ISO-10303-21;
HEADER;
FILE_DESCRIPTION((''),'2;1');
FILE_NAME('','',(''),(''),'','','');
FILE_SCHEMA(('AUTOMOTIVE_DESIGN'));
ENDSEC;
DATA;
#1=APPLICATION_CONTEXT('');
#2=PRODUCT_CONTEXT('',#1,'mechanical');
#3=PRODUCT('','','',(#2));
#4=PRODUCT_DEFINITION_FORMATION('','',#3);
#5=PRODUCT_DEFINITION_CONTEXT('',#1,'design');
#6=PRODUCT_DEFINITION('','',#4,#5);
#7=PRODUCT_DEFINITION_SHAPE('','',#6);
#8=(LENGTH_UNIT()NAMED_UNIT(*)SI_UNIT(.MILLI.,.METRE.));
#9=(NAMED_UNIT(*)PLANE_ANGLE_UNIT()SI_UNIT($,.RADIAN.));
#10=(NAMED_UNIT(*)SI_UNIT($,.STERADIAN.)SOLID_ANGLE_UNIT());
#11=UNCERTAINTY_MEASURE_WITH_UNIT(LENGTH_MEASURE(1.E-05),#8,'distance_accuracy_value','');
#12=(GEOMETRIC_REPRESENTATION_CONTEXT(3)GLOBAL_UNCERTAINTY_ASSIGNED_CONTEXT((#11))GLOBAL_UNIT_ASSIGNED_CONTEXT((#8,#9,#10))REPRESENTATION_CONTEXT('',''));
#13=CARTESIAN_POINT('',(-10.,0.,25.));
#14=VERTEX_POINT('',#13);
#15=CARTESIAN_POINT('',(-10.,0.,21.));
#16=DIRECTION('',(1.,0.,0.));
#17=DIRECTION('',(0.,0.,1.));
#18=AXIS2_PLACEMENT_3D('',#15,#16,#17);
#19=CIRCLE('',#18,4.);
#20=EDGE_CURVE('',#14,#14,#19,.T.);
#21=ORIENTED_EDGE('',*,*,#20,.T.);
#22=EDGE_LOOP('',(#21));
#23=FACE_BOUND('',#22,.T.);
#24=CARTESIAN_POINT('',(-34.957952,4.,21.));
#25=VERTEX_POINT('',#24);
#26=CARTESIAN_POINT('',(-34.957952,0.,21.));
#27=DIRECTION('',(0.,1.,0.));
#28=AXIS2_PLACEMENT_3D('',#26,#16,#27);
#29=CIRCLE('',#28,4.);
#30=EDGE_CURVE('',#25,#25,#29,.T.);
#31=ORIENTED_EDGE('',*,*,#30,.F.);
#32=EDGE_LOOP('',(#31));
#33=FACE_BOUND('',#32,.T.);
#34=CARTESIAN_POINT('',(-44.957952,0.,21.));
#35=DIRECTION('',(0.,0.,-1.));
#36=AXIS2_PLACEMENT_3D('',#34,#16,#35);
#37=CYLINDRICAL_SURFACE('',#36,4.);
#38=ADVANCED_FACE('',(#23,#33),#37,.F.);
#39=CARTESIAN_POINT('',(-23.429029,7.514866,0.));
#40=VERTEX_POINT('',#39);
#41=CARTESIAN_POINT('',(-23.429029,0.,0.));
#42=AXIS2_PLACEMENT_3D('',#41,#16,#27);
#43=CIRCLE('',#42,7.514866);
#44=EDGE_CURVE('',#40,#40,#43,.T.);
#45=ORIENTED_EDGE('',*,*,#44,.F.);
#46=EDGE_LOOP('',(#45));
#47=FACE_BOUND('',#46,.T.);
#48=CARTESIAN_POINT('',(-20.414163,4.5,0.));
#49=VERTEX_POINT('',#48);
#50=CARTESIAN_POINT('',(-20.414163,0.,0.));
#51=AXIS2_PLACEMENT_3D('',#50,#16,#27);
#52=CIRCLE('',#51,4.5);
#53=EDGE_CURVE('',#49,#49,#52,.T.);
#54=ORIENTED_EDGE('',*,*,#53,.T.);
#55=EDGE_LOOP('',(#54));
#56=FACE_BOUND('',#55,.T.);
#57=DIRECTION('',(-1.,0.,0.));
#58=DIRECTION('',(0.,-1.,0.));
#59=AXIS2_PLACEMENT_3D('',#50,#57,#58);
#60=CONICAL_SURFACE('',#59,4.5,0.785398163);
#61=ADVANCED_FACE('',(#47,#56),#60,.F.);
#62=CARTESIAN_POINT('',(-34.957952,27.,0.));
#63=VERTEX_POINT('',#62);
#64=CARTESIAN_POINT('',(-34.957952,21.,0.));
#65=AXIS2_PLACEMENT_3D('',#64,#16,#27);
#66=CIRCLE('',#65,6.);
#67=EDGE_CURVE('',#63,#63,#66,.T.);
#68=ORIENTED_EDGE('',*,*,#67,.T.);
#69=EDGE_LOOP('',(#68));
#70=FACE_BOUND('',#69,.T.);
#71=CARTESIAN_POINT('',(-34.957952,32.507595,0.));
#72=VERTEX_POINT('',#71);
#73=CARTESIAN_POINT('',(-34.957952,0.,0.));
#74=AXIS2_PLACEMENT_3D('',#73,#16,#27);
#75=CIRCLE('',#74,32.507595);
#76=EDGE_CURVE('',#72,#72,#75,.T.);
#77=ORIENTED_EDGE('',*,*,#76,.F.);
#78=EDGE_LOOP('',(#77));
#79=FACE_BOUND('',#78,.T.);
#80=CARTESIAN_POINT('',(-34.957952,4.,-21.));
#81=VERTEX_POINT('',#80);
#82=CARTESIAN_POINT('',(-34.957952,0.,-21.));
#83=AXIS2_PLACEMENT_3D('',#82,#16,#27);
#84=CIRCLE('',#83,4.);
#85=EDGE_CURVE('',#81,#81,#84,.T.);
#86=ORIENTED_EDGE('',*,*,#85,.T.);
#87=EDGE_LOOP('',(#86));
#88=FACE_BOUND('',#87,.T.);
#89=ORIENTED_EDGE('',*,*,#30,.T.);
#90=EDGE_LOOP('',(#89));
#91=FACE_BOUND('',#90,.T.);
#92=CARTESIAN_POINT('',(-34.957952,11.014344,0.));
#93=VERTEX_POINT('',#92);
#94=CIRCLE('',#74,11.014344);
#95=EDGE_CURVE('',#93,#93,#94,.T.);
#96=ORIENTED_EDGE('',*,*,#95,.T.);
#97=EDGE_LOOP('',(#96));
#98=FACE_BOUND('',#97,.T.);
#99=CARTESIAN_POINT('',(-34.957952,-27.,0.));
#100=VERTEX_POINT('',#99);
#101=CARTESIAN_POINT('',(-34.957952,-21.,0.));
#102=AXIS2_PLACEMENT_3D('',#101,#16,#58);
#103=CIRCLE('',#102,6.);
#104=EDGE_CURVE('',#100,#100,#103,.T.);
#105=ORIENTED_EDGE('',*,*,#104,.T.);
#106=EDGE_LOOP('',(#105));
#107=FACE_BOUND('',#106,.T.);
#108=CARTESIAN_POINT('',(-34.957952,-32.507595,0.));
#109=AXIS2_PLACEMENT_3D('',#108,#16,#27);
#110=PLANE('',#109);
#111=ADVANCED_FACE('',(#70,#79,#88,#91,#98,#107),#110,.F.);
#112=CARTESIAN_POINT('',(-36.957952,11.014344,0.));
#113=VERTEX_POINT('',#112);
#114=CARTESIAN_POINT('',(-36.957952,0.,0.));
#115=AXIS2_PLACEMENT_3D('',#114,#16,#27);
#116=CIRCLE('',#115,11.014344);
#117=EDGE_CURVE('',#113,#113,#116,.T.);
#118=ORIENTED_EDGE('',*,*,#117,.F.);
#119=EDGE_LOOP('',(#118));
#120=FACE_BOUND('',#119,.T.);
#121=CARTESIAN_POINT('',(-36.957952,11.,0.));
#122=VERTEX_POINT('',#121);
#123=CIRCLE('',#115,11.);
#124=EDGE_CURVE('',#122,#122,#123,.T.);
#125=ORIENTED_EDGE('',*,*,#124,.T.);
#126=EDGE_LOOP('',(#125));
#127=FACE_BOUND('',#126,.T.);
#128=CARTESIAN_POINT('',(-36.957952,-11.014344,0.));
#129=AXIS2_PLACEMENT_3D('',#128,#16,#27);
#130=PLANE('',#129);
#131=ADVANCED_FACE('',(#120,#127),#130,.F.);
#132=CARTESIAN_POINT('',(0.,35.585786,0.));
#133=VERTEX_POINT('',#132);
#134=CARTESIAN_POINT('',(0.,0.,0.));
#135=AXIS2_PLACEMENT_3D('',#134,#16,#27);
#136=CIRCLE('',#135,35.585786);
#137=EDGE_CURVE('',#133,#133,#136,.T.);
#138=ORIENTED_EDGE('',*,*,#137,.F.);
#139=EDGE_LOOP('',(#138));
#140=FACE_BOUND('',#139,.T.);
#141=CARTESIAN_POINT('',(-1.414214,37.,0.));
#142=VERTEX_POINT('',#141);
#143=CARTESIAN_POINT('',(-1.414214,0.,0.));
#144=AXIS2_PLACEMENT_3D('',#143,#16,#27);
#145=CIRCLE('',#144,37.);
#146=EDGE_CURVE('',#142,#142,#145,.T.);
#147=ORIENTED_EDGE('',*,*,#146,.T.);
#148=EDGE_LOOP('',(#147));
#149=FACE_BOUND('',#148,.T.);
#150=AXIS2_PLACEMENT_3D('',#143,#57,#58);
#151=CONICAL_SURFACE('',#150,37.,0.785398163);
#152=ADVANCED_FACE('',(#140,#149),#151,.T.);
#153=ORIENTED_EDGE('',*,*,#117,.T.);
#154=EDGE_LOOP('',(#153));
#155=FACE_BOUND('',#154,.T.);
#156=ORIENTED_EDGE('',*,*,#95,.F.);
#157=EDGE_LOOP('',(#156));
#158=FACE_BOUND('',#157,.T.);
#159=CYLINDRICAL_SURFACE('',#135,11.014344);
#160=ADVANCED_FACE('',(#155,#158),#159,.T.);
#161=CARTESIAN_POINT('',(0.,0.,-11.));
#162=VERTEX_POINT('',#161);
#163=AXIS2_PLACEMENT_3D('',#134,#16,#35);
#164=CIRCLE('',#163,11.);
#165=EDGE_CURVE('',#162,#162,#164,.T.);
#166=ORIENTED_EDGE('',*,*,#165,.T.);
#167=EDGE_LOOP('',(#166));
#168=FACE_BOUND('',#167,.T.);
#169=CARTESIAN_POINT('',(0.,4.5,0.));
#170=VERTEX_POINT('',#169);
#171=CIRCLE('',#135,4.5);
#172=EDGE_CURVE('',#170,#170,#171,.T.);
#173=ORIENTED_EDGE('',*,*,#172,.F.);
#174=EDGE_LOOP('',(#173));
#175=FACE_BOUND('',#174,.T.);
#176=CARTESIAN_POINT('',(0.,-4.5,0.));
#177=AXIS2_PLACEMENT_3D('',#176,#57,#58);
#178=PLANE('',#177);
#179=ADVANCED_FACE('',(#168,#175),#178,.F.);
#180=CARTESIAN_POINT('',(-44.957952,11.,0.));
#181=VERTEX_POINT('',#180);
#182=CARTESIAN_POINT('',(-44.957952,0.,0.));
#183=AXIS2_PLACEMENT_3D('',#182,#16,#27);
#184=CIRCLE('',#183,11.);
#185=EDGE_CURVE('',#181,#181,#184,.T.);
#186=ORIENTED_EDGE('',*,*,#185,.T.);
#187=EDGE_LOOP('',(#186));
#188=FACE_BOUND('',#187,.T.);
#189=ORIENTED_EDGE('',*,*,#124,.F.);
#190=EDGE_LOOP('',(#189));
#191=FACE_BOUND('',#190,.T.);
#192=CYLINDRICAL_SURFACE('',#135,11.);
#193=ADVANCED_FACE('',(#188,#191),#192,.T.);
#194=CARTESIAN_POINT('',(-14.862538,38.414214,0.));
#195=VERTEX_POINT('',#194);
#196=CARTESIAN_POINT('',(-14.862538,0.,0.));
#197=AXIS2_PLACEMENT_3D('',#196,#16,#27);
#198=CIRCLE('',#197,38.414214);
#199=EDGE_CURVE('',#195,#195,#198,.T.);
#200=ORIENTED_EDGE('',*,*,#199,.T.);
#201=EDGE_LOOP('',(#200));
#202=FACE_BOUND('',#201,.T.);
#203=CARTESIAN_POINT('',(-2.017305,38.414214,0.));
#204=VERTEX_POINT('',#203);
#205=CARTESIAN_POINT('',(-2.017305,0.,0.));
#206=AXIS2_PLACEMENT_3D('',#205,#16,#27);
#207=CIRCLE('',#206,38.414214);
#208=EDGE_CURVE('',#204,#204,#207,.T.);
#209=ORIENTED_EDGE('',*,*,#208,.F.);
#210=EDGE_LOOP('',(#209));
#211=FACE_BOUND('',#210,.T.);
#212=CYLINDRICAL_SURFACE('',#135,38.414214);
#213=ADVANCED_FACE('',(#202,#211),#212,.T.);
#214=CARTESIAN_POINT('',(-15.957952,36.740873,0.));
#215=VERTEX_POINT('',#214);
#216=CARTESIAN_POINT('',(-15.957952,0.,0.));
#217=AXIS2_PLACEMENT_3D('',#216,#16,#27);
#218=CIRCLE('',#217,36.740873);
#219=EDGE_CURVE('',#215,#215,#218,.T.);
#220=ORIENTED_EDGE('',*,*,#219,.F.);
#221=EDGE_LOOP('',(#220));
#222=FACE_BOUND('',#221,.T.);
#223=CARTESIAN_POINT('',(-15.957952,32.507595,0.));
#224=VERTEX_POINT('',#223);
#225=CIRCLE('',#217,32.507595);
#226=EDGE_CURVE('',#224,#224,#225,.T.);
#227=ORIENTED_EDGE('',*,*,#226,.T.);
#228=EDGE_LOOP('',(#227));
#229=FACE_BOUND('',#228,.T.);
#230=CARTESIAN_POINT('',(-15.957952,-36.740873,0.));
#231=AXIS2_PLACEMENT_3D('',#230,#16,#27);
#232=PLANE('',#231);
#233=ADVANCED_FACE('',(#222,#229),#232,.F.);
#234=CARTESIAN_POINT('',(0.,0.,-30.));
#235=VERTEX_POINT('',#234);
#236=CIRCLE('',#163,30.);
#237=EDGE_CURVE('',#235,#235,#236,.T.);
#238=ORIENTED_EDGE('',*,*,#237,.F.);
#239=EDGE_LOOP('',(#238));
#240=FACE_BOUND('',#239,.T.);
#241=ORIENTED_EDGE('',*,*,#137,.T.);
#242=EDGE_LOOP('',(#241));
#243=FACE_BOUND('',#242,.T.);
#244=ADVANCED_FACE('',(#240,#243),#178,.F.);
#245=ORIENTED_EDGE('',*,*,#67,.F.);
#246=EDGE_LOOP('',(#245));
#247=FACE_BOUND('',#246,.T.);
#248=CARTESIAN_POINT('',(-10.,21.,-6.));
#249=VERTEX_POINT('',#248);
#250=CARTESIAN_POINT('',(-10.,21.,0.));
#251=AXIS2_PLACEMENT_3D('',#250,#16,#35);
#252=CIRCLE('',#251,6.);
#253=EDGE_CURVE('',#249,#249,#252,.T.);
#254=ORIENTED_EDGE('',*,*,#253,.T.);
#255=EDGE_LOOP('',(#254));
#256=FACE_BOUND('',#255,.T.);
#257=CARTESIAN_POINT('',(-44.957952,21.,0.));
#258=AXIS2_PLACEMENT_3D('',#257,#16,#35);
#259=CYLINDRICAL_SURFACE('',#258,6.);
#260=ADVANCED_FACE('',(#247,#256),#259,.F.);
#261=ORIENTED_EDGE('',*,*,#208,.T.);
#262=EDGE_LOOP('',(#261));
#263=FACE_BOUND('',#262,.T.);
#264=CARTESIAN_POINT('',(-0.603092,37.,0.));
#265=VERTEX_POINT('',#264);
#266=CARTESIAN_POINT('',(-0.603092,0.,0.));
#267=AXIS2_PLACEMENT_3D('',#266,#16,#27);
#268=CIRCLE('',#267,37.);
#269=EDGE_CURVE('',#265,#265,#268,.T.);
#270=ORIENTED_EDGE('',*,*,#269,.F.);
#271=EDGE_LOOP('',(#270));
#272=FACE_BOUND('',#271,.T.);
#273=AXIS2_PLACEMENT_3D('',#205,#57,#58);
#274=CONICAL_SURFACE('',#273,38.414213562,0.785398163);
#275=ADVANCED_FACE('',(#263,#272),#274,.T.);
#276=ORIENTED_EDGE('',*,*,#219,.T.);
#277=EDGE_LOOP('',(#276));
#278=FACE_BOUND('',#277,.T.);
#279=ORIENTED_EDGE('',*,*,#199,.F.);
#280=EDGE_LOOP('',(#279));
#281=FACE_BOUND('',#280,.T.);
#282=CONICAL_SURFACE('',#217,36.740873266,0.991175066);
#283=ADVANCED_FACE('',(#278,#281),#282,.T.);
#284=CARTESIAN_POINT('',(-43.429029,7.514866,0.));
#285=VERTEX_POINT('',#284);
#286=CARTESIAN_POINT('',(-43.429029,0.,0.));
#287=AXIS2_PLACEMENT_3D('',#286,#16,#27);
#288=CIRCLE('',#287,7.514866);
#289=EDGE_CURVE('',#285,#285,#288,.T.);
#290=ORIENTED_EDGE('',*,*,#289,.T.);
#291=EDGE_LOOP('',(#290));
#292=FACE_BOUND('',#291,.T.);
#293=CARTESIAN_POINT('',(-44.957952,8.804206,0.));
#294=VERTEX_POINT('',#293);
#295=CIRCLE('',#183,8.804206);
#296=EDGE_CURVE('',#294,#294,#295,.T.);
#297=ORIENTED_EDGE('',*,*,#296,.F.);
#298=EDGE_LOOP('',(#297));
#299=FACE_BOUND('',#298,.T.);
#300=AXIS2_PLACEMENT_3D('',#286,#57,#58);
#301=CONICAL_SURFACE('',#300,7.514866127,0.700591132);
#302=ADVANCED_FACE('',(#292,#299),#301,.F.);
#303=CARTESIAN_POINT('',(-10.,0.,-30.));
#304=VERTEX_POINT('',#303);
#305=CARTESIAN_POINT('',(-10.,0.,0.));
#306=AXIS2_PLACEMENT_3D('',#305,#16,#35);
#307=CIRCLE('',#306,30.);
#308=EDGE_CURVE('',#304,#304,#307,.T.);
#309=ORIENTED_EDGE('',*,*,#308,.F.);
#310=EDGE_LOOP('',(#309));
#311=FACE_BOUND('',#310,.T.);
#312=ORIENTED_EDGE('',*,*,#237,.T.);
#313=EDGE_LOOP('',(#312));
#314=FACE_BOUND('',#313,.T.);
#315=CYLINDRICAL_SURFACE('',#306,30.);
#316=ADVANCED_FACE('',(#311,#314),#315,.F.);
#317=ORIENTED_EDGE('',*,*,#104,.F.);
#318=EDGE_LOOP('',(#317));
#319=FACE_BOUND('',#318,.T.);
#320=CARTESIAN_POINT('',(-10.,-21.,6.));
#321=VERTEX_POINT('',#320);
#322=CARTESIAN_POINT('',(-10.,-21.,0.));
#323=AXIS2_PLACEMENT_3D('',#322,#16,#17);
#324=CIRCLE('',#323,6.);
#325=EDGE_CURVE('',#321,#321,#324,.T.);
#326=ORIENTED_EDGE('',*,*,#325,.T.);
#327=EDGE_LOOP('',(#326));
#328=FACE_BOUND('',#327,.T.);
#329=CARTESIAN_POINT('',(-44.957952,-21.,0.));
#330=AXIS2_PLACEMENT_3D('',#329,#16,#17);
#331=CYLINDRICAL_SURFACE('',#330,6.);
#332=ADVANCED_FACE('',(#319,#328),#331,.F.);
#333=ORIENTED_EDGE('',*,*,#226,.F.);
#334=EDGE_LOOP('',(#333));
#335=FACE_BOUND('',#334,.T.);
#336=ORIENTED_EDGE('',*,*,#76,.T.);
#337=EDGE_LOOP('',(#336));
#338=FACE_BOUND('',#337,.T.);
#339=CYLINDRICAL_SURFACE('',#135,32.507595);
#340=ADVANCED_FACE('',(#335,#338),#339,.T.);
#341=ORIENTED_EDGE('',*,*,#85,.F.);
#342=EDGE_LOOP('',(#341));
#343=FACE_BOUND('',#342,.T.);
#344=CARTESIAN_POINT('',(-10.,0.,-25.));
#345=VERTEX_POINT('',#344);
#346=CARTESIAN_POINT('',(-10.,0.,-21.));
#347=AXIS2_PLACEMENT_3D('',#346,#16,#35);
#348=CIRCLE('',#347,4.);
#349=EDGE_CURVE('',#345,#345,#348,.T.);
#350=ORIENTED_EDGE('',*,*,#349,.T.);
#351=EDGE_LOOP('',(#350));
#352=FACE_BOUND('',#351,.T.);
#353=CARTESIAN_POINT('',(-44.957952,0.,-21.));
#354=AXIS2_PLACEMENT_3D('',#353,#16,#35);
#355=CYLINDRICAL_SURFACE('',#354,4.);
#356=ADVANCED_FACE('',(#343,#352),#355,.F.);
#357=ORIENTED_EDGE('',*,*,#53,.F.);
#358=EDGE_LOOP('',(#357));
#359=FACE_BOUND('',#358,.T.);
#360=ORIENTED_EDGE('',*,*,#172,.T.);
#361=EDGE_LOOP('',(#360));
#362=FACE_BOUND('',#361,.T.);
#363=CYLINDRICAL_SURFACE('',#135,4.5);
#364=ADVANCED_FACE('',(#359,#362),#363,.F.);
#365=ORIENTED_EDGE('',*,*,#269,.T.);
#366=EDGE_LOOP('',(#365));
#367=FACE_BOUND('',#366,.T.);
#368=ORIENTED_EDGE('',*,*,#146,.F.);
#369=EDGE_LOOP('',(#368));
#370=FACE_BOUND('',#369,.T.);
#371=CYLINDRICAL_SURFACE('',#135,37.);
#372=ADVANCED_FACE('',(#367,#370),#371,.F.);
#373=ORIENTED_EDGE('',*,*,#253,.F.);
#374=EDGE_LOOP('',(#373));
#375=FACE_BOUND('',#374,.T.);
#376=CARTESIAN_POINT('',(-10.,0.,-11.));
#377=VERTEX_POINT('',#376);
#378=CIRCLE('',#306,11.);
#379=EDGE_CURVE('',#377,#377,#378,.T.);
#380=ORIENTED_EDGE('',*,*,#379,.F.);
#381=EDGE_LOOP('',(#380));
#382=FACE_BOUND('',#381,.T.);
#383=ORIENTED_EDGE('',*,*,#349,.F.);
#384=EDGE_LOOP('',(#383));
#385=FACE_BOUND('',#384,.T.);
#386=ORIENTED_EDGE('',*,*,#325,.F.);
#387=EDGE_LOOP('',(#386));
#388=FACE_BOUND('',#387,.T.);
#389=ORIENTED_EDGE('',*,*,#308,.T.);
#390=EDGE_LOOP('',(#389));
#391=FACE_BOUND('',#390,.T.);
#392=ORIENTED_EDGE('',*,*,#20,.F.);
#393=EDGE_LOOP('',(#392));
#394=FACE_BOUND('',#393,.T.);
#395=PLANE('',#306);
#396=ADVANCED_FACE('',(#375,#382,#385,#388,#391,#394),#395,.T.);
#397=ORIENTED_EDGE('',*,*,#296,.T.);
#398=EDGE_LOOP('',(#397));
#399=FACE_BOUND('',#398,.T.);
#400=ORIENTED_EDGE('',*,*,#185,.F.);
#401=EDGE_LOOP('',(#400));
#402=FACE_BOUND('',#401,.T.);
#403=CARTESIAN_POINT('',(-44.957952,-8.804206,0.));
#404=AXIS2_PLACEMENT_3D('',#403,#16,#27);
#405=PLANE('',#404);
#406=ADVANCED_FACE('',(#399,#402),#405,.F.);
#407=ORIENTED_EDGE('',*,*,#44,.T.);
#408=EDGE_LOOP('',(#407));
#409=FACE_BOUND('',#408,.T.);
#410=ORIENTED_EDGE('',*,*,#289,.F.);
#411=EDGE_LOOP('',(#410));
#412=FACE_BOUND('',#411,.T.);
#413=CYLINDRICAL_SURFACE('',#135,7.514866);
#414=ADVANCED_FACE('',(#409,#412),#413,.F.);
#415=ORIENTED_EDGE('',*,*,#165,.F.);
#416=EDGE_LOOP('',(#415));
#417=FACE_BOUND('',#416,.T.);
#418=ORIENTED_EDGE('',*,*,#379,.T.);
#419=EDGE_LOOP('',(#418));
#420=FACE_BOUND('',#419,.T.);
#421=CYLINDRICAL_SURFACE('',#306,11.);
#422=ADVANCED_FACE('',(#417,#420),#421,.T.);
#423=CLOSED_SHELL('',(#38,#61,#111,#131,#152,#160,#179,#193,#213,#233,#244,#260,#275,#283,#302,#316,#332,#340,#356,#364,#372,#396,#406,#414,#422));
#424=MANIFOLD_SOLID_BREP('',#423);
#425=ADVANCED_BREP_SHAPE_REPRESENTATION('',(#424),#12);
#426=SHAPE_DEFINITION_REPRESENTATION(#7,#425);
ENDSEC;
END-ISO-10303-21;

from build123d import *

# Parameters (mm, degrees)
ESQUISSE2_R                  = 30
ESQUISSE2_R_2                = 11
ENL_V_MAT_EXTRU_2_DEPTH      = 10
ESQUISSE4_R                  = 4
ENL_V_MAT_EXTRU_3_DEPTH      = 65.601563534
ESQUISSE5_R                  = 6
ENL_V_MAT_EXTRU_4_DEPTH      = 65.601563534
R_P_TITION_CIRCULAIRE1_COUNT = 2
R_P_TITION_CIRCULAIRE1_ANGLE = 180


with BuildPart() as part:
    # Esquisse1 → Révolution1 (revolve)
    with BuildSketch(Plane.XY, mode=Mode.PRIVATE) as r_volution1_sk:
        Polygon((-0.603091605, -37), (-1.414213562, -37), (0, -35.585786438), (0, -4.5), (-20.414163341, -4.5), (-23.429029468, -7.514866127), (-43.429029468, -7.514866127), (-44.957951939, -8.804205522), (-44.957951939, -11), (-36.957951939, -11), (-36.957951939, -11.014343795), (-34.957951939, -11.014343795), (-34.957951939, -15.337655327), (-34.957951939, -27.510373989), (-34.957951939, -32.507595335), (-15.957951939, -32.507595335), (-15.957951939, -36.740873266), (-14.862537746, -38.414213562), (-2.017305168, -38.414213562), align=None)
    revolve(r_volution1_sk.sketch.rotate(Axis((0, 0, 0), (-1, 0, 0)), 180), axis=Axis((0, 0, 0), (-1, 0, 0)))

    # Esquisse2 → Enlèv. mat.-Extru.2 (cut)
    with BuildSketch(Plane(origin=(0, 0, 0), x_dir=(0, 0, -1), z_dir=(1, 0, 0))):
        Circle(ESQUISSE2_R)
        with Locations(Location((0, 0, 0), (0, 0, 90))):
            Circle(ESQUISSE2_R_2, mode=Mode.SUBTRACT)
    extrude(amount=-ENL_V_MAT_EXTRU_2_DEPTH, mode=Mode.SUBTRACT)

    # Esquisse4 → Enlèv. mat.-Extru.3 (cut, through all)
    with BuildSketch(Plane(origin=(-10, 0, 0), x_dir=(0, 0, -1), z_dir=(1, 0, 0))):
        with Locations((21, 0)):
            Circle(ESQUISSE4_R)
        with Locations(Location((-21, 0, 0), (0, 0, 90))):
            Circle(ESQUISSE4_R)
    extrude(amount=-ENL_V_MAT_EXTRU_3_DEPTH, mode=Mode.SUBTRACT)

    # Esquisse5 → Enlèv. mat.-Extru.4 (cut, through all)
    with BuildSketch(Plane(origin=(-10, 0, 0), x_dir=(0, 0, -1), z_dir=(1, 0, 0))):
        with Locations((0, 21)):
            Circle(ESQUISSE5_R)
    enl_v_mat_extru_4 = extrude(amount=-ENL_V_MAT_EXTRU_4_DEPTH, mode=Mode.SUBTRACT)

    # Répétition circulaire1: Enlèv. mat.-Extru.4 ×2 about axis
    r_p_tition_circulaire1_axis = Axis((0, 0, 0), (1, 0, 0))
    for i in range(1, R_P_TITION_CIRCULAIRE1_COUNT):
        add(enl_v_mat_extru_4.rotate(r_p_tition_circulaire1_axis, i * R_P_TITION_CIRCULAIRE1_ANGLE / (R_P_TITION_CIRCULAIRE1_COUNT - 1)), mode=Mode.SUBTRACT)


solid = part.part
